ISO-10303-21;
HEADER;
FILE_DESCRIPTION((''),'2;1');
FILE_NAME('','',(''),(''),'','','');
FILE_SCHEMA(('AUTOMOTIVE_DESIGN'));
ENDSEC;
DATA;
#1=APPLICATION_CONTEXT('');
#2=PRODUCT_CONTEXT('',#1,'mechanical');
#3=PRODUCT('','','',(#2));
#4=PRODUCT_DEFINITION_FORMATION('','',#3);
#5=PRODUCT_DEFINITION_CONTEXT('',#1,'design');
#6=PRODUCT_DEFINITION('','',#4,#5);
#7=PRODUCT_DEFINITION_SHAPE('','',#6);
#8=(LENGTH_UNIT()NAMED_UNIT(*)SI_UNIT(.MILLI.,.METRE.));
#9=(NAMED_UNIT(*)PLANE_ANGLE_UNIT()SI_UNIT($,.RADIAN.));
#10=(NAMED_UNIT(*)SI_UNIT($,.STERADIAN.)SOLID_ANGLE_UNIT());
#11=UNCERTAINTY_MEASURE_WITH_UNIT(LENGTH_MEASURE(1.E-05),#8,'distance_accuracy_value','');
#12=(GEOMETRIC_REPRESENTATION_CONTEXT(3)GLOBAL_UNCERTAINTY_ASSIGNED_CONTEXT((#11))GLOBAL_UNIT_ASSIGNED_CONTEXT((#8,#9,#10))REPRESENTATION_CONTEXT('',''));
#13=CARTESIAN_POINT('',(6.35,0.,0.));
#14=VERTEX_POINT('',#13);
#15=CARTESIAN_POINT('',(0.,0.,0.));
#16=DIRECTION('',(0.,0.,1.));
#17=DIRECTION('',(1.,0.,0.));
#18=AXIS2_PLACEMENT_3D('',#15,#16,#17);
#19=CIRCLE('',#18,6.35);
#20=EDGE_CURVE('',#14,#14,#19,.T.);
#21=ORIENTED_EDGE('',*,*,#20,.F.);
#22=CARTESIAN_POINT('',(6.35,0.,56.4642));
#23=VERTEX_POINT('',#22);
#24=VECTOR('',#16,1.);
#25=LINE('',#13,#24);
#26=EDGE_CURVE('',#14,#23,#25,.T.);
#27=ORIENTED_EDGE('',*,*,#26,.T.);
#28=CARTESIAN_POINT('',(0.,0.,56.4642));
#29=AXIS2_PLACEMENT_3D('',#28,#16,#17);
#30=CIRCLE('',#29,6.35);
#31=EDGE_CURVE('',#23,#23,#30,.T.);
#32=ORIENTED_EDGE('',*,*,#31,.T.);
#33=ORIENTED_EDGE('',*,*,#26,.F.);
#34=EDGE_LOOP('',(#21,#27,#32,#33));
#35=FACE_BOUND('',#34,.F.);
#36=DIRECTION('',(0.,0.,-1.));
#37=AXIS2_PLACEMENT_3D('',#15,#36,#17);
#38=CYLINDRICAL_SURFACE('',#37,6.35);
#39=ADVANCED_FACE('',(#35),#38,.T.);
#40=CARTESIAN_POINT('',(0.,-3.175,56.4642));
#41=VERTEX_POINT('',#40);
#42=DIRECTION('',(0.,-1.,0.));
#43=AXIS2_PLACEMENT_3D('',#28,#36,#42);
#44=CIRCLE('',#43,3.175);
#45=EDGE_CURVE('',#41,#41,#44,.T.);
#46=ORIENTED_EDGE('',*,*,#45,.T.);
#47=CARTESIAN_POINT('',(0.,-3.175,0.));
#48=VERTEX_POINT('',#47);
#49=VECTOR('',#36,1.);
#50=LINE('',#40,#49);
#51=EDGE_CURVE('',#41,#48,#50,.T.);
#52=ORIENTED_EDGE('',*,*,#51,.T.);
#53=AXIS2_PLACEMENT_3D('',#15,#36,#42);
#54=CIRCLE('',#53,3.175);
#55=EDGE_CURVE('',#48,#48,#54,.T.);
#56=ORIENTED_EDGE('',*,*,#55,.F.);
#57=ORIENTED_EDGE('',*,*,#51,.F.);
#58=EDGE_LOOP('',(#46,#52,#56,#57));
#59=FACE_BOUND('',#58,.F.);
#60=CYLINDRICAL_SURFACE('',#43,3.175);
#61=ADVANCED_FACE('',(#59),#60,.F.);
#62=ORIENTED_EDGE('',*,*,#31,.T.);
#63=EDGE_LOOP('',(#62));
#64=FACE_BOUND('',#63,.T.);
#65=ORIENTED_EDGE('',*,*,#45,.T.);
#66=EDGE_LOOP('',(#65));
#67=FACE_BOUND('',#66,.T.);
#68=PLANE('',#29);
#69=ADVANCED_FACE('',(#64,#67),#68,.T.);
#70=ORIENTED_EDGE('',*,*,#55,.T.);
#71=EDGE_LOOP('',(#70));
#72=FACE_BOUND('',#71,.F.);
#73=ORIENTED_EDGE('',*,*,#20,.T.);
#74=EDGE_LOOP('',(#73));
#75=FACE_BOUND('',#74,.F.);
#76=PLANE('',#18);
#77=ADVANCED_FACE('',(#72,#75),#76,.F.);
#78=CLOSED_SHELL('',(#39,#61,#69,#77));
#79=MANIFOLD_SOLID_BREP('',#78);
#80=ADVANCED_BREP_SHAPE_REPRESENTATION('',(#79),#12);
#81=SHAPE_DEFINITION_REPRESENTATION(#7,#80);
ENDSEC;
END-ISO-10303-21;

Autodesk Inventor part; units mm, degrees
ref_plane "YZ Plane" through (0, 0, 0) normal (1, 0, 0) x (0, 1, 0)
ref_plane "XZ Plane" through (0, 0, 0) normal (0, 1, 0) x (-1, 0, 0)
ref_plane "XY Plane" through (0, 0, 0) normal (0, 0, 1) x (1, 0, 0)
sketch "Sketch1" plane through (0, 0, 0) normal (0, 0, 1) x (1, 0, 0)
  circle A0 centre (0, 0) radius 6.35
  dimension "d0" = 12.7
extrude "Extrusion1" add sketch "Sketch1" along normal blind 56.4642
sketch "Sketch2" plane through (0, 0, 56.4642) normal (0, 0, 1) x (1, 0, 0)
  point P0 (0, 0)
  point P1 (0, 0)
hole "Hole1" at (0, 0, 56.4642) direction (0, 0, -1) diameter 6.35 end through all
properties part number "CLB_083_ScissorsPulleySpacerLonger" material "Nylon 6/6"
